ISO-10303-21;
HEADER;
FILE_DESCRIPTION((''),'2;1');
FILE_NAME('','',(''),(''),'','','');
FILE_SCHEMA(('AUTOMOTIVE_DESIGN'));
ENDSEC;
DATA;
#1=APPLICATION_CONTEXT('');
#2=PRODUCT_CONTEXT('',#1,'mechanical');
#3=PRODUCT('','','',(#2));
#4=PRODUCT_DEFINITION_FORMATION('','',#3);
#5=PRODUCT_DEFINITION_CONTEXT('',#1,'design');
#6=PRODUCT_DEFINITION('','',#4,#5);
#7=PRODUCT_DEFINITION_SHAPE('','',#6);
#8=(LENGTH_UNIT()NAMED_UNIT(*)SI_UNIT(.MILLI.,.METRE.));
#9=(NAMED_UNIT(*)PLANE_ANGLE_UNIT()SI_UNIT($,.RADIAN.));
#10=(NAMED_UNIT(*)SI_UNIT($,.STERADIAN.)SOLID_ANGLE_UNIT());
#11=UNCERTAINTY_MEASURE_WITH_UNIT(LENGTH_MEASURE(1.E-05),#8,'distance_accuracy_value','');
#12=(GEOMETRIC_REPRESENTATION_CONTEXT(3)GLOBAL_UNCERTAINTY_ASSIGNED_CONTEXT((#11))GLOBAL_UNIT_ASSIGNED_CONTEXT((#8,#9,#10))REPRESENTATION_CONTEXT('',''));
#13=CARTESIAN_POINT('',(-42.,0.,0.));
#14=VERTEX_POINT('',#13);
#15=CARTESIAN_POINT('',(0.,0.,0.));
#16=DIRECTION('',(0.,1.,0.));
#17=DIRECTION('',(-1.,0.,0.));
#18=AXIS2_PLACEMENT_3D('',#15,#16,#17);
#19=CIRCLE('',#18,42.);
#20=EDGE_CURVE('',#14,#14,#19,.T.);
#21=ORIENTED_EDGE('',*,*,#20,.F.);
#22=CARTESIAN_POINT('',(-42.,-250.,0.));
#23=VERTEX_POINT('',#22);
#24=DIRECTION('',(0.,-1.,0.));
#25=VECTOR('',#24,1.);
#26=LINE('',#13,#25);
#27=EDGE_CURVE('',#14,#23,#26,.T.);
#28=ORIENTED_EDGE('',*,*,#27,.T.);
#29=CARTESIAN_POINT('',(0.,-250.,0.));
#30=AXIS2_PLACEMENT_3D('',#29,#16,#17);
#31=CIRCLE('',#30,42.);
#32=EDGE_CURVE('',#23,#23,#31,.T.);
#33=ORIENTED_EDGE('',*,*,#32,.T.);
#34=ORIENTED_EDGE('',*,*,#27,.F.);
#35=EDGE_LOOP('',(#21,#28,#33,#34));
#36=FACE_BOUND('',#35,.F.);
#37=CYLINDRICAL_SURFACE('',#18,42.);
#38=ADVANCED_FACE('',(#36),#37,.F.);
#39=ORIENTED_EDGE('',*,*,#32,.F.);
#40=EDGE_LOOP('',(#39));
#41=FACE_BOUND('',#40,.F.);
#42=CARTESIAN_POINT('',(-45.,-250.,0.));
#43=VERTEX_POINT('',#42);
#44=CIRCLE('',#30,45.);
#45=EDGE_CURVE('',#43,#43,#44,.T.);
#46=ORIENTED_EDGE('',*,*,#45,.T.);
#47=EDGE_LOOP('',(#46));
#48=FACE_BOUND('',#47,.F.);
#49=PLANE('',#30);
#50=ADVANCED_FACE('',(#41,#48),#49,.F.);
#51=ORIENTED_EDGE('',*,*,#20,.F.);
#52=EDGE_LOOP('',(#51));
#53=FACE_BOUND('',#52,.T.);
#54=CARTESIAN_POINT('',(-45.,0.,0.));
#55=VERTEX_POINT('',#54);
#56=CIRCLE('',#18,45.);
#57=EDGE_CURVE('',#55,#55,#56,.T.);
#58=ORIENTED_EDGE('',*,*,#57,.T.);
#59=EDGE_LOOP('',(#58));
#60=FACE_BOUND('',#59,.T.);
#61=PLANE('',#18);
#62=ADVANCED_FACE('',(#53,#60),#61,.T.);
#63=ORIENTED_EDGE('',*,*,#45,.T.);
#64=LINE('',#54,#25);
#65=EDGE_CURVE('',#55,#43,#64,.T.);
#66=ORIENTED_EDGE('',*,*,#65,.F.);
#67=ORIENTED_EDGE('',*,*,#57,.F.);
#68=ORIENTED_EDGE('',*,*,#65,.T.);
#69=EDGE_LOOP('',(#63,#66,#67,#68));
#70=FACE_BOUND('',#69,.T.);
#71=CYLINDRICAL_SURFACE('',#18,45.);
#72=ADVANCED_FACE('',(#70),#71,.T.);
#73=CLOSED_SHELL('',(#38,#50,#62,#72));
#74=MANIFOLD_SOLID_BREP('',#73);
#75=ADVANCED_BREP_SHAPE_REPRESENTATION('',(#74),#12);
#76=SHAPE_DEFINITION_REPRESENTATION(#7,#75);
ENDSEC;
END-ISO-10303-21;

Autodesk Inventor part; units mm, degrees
ref_plane "YZ Plane" through (0, 0, 0) normal (1, 0, 0) x (0, 1, 0)
ref_plane "XZ Plane" through (0, 0, 0) normal (0, 1, 0) x (-1, 0, 0)
ref_plane "XY Plane" through (0, 0, 0) normal (0, 0, 1) x (1, 0, 0)
sketch "Sketch1" plane through (0, 0, 0) normal (0, 1, 0) x (-1, 0, 0)
  circle A0 centre (0, 0) radius 45
  circle A1 centre (0, 0) radius 42
  dimension "d0" = 90
  dimension "d1" = 3
extrude "Extrusion1" add sketch "Sketch1" against normal blind 250
properties part number "PNS 756 FDS tube" material "Steel"
